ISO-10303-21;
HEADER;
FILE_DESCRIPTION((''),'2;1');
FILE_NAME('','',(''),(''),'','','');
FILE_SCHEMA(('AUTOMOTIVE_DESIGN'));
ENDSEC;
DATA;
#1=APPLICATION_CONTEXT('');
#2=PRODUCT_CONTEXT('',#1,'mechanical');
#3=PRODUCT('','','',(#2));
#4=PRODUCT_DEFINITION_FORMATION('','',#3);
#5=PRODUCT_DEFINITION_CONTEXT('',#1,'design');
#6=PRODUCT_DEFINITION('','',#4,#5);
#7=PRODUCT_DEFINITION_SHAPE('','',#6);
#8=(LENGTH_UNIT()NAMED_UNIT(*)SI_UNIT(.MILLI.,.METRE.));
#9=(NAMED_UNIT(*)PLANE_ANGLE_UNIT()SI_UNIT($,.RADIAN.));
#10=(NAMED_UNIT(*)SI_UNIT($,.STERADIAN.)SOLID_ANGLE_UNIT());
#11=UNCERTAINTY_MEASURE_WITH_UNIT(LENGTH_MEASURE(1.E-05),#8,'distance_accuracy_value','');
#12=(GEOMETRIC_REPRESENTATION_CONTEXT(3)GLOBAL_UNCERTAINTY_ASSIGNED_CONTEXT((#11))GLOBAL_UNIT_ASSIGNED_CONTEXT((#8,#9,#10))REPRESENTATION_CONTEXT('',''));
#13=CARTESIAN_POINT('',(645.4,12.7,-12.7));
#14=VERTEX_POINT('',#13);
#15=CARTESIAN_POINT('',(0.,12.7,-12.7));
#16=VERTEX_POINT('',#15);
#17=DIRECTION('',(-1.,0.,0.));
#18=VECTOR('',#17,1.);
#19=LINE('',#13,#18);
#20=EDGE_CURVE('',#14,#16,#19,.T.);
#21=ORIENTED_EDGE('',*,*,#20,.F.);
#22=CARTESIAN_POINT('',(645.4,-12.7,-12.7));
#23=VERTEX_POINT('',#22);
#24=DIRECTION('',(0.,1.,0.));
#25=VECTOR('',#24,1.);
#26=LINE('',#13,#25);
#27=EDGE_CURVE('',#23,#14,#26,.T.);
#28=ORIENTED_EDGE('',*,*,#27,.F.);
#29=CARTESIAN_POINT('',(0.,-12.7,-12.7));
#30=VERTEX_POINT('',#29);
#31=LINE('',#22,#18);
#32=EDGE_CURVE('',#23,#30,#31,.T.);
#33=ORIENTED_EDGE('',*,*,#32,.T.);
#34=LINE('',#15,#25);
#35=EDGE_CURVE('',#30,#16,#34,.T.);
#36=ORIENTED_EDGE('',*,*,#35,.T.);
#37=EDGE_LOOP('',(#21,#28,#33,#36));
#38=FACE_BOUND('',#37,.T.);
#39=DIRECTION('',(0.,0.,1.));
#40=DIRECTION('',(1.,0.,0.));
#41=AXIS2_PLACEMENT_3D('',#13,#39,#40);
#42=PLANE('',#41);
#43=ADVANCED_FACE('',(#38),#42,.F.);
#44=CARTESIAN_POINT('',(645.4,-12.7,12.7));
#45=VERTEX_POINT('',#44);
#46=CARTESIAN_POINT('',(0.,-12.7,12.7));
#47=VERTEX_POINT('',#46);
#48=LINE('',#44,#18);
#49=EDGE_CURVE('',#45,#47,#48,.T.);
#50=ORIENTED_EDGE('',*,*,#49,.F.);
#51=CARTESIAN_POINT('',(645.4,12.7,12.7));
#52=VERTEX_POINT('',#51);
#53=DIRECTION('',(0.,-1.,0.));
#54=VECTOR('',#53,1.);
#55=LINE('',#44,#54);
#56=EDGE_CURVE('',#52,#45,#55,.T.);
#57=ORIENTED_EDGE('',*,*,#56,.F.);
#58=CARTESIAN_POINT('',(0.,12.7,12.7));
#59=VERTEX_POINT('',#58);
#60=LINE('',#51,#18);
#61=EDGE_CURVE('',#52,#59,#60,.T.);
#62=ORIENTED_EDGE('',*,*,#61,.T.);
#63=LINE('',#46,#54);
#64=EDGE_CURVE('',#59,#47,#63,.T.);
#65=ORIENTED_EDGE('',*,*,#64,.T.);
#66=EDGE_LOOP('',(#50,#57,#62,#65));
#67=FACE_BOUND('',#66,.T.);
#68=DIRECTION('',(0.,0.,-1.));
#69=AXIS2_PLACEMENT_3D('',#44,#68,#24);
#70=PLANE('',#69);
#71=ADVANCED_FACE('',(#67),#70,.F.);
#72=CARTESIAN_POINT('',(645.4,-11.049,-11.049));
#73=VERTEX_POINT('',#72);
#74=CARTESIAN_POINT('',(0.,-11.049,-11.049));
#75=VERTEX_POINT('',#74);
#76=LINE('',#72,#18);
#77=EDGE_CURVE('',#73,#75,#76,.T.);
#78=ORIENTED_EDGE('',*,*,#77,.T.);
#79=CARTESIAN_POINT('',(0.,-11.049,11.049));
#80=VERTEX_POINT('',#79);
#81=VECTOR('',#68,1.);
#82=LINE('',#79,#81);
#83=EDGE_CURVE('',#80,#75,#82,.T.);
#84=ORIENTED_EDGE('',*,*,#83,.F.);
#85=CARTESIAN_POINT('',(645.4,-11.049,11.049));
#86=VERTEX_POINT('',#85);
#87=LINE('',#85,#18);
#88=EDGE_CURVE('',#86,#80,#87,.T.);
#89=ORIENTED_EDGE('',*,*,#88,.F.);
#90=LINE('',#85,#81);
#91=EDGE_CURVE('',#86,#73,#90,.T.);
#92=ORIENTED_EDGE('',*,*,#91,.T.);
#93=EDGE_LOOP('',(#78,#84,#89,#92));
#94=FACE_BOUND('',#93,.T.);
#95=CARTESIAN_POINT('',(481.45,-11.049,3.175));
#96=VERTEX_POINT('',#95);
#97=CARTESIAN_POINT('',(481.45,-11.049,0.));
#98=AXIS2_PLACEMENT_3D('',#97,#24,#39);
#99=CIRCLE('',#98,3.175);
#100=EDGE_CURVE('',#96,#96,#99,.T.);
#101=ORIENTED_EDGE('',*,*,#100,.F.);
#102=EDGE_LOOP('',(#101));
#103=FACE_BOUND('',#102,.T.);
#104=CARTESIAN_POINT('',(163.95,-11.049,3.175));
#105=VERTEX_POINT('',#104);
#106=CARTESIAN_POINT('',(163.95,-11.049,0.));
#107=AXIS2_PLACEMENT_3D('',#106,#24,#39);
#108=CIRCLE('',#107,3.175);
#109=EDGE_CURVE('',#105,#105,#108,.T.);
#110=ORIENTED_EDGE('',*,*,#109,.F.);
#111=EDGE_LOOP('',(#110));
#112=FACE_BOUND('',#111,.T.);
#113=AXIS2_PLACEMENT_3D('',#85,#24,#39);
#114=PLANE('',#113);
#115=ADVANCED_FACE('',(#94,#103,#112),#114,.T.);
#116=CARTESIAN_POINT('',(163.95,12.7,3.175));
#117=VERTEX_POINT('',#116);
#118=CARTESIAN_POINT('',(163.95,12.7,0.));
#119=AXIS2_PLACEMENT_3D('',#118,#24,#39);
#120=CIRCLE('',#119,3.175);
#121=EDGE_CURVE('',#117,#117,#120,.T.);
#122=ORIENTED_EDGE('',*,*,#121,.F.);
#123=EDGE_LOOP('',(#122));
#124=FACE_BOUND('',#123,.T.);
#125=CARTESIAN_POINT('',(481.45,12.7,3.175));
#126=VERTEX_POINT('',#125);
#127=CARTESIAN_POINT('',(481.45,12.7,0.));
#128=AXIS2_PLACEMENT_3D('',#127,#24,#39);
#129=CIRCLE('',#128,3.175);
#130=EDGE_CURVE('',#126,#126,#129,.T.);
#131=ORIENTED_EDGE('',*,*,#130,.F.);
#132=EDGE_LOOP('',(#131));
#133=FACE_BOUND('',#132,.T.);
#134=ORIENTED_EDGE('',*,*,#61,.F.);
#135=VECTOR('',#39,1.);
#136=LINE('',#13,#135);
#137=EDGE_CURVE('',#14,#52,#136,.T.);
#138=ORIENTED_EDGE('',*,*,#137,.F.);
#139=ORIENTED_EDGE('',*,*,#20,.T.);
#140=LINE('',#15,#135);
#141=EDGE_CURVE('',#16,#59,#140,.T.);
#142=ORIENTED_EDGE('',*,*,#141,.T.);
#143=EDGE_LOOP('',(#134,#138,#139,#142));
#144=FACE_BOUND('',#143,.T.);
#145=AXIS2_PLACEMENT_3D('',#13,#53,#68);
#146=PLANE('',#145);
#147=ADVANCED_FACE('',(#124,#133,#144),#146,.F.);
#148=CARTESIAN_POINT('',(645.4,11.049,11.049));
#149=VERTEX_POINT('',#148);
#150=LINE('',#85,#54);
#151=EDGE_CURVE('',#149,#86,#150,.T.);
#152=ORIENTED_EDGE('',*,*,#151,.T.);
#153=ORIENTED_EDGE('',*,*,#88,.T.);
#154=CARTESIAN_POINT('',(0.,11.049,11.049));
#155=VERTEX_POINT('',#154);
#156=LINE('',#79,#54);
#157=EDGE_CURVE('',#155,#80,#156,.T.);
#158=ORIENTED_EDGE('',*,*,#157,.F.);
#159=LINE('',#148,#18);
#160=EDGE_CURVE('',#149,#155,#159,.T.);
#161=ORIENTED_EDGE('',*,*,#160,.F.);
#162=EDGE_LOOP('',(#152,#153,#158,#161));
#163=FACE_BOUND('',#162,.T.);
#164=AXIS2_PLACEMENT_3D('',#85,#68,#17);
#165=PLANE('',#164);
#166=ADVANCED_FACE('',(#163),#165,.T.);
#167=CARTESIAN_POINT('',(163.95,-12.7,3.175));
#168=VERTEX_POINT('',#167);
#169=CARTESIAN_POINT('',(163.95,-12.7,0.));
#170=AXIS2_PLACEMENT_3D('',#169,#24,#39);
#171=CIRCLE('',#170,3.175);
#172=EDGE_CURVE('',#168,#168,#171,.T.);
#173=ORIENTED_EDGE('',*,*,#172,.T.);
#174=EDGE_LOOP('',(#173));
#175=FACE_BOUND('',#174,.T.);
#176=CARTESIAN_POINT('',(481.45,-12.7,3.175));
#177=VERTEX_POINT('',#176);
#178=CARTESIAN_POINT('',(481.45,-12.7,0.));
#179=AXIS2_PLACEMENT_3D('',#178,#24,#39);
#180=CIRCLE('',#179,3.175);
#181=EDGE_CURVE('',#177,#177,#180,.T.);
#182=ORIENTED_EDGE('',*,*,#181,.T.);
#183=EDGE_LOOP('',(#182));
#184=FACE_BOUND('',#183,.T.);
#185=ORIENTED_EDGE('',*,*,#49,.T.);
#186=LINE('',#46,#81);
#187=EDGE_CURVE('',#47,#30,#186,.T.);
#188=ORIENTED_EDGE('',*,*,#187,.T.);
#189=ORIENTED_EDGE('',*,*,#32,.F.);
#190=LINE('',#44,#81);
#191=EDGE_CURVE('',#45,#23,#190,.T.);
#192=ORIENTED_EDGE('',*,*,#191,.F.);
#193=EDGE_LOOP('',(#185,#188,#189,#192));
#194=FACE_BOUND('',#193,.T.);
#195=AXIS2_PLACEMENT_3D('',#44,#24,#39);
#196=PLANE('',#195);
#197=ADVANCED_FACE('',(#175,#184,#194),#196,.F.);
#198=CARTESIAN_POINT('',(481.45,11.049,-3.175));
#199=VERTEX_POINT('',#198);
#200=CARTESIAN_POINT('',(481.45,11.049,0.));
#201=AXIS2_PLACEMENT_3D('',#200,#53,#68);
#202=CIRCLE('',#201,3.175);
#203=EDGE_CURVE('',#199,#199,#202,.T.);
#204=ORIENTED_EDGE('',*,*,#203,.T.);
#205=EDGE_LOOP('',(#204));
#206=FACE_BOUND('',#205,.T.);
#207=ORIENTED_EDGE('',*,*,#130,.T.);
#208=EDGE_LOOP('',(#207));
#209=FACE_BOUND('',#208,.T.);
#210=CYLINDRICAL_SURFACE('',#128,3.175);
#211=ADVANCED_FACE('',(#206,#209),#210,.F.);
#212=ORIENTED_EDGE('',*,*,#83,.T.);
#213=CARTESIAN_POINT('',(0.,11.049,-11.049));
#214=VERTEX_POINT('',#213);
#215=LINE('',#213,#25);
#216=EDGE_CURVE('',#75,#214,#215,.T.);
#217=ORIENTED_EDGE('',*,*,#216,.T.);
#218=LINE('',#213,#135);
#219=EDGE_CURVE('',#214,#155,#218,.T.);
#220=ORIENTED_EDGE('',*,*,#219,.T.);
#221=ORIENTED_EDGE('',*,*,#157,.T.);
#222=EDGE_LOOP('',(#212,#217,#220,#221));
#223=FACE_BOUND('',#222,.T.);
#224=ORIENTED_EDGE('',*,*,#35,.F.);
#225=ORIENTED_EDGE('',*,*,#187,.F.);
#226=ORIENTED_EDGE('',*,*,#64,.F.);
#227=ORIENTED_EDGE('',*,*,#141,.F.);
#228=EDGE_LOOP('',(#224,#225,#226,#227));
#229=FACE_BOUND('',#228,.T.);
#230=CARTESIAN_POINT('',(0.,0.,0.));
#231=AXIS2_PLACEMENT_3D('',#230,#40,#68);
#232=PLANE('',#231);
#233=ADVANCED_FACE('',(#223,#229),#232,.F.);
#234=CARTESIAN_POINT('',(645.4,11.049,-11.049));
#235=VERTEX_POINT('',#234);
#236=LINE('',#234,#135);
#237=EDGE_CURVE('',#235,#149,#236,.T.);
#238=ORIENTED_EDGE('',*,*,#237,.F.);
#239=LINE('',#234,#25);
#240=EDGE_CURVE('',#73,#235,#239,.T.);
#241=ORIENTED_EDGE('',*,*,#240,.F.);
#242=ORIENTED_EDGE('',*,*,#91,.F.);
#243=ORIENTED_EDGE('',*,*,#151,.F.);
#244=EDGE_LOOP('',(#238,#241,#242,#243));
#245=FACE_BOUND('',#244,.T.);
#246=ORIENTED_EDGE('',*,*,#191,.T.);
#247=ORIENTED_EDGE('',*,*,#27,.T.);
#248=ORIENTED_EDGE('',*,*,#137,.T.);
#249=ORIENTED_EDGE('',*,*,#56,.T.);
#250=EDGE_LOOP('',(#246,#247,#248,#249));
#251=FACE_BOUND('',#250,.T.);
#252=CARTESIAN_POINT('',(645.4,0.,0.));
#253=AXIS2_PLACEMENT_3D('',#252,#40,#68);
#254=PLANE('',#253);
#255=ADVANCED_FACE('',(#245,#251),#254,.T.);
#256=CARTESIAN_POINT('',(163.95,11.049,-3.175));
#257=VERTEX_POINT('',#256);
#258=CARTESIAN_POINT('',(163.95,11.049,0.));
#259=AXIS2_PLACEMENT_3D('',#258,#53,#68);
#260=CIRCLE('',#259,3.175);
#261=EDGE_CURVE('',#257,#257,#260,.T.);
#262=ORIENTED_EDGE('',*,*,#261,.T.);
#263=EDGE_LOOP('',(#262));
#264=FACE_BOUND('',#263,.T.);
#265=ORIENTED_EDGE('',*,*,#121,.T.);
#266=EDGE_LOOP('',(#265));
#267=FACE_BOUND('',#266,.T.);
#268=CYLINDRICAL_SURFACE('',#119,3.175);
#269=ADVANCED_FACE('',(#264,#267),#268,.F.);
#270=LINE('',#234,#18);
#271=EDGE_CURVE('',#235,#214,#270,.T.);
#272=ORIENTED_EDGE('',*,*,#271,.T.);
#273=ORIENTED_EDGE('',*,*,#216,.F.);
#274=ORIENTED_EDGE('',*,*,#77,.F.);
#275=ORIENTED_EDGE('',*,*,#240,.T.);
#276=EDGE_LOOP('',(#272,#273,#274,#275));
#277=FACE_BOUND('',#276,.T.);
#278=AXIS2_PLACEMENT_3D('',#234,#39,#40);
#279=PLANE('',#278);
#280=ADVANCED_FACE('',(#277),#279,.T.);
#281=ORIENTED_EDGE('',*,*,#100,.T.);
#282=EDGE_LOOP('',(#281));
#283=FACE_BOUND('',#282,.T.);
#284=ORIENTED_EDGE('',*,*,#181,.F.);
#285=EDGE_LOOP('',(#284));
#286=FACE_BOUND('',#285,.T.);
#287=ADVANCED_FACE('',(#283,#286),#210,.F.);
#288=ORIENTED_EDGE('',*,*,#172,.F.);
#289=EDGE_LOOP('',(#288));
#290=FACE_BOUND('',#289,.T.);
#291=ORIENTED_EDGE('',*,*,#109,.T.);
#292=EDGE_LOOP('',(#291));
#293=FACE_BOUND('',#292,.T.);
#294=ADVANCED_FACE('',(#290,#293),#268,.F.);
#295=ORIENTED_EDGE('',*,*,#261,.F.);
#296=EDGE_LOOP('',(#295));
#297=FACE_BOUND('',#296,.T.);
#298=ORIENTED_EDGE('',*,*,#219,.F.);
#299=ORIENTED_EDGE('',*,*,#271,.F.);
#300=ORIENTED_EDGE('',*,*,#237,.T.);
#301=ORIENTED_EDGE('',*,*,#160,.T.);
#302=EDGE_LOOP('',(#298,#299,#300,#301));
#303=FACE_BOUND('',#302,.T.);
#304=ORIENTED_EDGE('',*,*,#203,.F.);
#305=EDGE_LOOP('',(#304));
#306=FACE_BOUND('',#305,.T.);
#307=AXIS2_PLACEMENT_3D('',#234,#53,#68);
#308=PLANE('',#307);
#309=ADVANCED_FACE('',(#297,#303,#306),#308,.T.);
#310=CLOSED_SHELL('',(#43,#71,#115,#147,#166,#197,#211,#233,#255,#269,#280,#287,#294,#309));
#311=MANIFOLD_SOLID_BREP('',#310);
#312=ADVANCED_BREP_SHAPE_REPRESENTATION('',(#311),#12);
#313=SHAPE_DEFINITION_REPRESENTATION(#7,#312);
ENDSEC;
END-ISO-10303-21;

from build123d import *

# Parameters (mm, degrees)
SKETCH16_W                                     = 25.4
SKETCH16_H                                     = 25.4
SKETCH16_W_2                                   = 22.098
SKETCH16_H_2                                   = 22.098
AL_TUBE_SQUARE_AL_TUBE_1_SQR_X_0_065_WAL_DEPTH = 645.4
F_1_4_0_25_DIAMETER_HOLE1_D                    = 6.35


with BuildPart() as part:
    # Sketch16 → Al tube square AL TUBE 1 SQR X 0.065 WALL(1) (new body)
    with BuildSketch(Plane(origin=(0, 0, 0), x_dir=(0, 0, -1), z_dir=(1, 0, 0))):
        Rectangle(SKETCH16_W, SKETCH16_H)
        Rectangle(SKETCH16_W_2, SKETCH16_H_2, mode=Mode.SUBTRACT)
    extrude(amount=AL_TUBE_SQUARE_AL_TUBE_1_SQR_X_0_065_WAL_DEPTH)

    # 1/4 (0.25) Diameter Hole1 (through all)
    with Locations(Plane(origin=(0, 12.7, 0), x_dir=(1, 0, 0), z_dir=(0, 1, 0))):
        with Locations((481.45, 0), (163.95, 0)):
            Hole(F_1_4_0_25_DIAMETER_HOLE1_D / 2)


solid = part.part
